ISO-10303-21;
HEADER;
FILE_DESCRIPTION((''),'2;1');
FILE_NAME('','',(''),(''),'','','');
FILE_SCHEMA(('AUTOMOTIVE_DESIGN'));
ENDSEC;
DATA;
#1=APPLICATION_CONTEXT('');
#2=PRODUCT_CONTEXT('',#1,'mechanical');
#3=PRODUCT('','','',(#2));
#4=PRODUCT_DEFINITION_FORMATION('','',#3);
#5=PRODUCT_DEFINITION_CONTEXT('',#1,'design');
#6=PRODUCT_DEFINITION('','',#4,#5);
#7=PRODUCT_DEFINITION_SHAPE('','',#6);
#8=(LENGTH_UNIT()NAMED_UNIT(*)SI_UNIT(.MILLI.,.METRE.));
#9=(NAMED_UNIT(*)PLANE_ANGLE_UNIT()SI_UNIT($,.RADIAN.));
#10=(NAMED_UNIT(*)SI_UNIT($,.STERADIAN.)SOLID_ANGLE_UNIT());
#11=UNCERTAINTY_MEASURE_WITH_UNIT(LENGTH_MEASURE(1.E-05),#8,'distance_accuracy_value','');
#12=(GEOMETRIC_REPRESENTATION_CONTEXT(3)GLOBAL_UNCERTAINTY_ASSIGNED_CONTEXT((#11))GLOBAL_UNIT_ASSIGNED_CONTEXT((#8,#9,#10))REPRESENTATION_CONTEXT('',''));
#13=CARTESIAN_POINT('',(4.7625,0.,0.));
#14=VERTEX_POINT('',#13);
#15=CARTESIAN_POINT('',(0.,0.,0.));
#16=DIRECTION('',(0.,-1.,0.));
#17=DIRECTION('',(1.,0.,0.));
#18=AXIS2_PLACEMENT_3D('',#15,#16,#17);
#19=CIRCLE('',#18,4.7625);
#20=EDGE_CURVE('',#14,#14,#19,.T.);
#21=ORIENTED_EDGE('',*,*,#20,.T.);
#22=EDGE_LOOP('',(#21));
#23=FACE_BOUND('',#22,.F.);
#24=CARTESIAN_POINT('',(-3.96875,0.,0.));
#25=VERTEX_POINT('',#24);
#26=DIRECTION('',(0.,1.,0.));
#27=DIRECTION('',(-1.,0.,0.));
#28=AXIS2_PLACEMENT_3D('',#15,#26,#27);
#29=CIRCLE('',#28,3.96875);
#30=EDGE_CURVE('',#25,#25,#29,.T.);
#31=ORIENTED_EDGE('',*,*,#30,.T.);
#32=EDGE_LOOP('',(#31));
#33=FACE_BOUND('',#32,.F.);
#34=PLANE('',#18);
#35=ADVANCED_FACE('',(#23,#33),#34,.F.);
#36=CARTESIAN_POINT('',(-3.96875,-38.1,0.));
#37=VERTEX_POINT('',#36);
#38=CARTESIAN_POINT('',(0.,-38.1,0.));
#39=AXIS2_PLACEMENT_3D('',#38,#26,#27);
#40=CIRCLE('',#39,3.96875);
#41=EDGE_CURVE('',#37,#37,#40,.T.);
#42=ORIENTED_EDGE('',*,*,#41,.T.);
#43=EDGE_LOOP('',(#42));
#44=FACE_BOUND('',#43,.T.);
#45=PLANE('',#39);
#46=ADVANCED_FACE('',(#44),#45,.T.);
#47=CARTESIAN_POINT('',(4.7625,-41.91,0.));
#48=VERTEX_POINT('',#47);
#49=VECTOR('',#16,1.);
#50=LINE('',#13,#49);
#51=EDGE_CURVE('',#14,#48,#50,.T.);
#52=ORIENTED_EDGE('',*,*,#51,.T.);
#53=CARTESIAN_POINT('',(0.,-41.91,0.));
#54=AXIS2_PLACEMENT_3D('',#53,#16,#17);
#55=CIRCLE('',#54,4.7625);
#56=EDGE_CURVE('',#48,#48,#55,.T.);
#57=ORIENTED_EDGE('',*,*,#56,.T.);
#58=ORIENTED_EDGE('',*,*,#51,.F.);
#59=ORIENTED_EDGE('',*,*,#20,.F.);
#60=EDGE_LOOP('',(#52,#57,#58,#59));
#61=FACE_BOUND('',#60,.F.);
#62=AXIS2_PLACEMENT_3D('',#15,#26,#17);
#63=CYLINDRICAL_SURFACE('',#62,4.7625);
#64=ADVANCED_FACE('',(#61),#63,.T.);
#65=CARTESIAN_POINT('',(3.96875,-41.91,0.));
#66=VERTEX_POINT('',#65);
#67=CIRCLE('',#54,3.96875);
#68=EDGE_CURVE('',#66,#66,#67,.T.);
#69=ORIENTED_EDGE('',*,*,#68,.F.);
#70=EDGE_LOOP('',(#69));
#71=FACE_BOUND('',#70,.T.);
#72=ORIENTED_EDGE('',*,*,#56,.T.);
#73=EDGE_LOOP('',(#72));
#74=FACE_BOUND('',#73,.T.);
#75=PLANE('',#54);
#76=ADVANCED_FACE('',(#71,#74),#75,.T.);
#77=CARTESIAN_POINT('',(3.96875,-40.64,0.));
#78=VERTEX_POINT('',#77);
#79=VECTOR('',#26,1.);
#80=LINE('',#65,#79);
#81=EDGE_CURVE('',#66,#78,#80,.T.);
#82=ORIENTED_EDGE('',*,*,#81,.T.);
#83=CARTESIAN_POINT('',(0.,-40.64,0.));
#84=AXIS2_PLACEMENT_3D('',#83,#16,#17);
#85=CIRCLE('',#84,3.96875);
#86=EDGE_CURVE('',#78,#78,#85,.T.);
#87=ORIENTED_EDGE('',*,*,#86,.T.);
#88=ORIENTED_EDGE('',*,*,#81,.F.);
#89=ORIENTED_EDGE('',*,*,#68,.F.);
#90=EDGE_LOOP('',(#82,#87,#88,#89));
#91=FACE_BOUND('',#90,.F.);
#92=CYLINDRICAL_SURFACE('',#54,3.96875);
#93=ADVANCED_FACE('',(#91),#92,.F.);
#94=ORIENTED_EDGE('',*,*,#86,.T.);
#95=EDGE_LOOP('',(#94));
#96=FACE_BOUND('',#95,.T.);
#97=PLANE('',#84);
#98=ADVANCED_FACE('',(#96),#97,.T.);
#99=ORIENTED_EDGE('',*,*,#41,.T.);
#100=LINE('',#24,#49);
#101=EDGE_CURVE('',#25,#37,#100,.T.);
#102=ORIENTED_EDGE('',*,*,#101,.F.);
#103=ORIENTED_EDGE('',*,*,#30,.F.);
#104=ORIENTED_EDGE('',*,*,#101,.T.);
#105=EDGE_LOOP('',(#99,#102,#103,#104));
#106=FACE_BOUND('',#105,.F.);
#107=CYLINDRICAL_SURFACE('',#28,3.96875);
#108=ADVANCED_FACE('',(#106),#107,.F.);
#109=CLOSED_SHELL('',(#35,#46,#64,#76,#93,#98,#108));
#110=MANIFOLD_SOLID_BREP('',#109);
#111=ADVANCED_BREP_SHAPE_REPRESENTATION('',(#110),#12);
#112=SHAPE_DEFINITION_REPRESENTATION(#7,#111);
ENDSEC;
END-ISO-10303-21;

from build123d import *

# Parameters (mm, degrees)
F0_R     = 4.7625
F1_DEPTH = 41.91
F2_R     = 3.96875
F3_DEPTH = 38.1
F4_R     = 3.96875
F5_DEPTH = 1.27


with BuildPart() as f1:
    # F0 (on Front) → F1 (new body)
    with BuildSketch(Plane.XZ):
        Circle(F0_R)
    extrude(amount=F1_DEPTH)

    # F2 (on face) → F3 (cut)
    with BuildSketch(Plane(origin=(0, 0, 0), x_dir=(-1, 0, 0), z_dir=(0, 1, 0))):
        Circle(F2_R)
    extrude(amount=-F3_DEPTH, mode=Mode.SUBTRACT)

    # F4 (on face) → F5 (cut)
    with BuildSketch(Plane.XZ.offset(41.91)):
        Circle(F4_R)
    extrude(amount=-F5_DEPTH, mode=Mode.SUBTRACT)


solid = f1.part
